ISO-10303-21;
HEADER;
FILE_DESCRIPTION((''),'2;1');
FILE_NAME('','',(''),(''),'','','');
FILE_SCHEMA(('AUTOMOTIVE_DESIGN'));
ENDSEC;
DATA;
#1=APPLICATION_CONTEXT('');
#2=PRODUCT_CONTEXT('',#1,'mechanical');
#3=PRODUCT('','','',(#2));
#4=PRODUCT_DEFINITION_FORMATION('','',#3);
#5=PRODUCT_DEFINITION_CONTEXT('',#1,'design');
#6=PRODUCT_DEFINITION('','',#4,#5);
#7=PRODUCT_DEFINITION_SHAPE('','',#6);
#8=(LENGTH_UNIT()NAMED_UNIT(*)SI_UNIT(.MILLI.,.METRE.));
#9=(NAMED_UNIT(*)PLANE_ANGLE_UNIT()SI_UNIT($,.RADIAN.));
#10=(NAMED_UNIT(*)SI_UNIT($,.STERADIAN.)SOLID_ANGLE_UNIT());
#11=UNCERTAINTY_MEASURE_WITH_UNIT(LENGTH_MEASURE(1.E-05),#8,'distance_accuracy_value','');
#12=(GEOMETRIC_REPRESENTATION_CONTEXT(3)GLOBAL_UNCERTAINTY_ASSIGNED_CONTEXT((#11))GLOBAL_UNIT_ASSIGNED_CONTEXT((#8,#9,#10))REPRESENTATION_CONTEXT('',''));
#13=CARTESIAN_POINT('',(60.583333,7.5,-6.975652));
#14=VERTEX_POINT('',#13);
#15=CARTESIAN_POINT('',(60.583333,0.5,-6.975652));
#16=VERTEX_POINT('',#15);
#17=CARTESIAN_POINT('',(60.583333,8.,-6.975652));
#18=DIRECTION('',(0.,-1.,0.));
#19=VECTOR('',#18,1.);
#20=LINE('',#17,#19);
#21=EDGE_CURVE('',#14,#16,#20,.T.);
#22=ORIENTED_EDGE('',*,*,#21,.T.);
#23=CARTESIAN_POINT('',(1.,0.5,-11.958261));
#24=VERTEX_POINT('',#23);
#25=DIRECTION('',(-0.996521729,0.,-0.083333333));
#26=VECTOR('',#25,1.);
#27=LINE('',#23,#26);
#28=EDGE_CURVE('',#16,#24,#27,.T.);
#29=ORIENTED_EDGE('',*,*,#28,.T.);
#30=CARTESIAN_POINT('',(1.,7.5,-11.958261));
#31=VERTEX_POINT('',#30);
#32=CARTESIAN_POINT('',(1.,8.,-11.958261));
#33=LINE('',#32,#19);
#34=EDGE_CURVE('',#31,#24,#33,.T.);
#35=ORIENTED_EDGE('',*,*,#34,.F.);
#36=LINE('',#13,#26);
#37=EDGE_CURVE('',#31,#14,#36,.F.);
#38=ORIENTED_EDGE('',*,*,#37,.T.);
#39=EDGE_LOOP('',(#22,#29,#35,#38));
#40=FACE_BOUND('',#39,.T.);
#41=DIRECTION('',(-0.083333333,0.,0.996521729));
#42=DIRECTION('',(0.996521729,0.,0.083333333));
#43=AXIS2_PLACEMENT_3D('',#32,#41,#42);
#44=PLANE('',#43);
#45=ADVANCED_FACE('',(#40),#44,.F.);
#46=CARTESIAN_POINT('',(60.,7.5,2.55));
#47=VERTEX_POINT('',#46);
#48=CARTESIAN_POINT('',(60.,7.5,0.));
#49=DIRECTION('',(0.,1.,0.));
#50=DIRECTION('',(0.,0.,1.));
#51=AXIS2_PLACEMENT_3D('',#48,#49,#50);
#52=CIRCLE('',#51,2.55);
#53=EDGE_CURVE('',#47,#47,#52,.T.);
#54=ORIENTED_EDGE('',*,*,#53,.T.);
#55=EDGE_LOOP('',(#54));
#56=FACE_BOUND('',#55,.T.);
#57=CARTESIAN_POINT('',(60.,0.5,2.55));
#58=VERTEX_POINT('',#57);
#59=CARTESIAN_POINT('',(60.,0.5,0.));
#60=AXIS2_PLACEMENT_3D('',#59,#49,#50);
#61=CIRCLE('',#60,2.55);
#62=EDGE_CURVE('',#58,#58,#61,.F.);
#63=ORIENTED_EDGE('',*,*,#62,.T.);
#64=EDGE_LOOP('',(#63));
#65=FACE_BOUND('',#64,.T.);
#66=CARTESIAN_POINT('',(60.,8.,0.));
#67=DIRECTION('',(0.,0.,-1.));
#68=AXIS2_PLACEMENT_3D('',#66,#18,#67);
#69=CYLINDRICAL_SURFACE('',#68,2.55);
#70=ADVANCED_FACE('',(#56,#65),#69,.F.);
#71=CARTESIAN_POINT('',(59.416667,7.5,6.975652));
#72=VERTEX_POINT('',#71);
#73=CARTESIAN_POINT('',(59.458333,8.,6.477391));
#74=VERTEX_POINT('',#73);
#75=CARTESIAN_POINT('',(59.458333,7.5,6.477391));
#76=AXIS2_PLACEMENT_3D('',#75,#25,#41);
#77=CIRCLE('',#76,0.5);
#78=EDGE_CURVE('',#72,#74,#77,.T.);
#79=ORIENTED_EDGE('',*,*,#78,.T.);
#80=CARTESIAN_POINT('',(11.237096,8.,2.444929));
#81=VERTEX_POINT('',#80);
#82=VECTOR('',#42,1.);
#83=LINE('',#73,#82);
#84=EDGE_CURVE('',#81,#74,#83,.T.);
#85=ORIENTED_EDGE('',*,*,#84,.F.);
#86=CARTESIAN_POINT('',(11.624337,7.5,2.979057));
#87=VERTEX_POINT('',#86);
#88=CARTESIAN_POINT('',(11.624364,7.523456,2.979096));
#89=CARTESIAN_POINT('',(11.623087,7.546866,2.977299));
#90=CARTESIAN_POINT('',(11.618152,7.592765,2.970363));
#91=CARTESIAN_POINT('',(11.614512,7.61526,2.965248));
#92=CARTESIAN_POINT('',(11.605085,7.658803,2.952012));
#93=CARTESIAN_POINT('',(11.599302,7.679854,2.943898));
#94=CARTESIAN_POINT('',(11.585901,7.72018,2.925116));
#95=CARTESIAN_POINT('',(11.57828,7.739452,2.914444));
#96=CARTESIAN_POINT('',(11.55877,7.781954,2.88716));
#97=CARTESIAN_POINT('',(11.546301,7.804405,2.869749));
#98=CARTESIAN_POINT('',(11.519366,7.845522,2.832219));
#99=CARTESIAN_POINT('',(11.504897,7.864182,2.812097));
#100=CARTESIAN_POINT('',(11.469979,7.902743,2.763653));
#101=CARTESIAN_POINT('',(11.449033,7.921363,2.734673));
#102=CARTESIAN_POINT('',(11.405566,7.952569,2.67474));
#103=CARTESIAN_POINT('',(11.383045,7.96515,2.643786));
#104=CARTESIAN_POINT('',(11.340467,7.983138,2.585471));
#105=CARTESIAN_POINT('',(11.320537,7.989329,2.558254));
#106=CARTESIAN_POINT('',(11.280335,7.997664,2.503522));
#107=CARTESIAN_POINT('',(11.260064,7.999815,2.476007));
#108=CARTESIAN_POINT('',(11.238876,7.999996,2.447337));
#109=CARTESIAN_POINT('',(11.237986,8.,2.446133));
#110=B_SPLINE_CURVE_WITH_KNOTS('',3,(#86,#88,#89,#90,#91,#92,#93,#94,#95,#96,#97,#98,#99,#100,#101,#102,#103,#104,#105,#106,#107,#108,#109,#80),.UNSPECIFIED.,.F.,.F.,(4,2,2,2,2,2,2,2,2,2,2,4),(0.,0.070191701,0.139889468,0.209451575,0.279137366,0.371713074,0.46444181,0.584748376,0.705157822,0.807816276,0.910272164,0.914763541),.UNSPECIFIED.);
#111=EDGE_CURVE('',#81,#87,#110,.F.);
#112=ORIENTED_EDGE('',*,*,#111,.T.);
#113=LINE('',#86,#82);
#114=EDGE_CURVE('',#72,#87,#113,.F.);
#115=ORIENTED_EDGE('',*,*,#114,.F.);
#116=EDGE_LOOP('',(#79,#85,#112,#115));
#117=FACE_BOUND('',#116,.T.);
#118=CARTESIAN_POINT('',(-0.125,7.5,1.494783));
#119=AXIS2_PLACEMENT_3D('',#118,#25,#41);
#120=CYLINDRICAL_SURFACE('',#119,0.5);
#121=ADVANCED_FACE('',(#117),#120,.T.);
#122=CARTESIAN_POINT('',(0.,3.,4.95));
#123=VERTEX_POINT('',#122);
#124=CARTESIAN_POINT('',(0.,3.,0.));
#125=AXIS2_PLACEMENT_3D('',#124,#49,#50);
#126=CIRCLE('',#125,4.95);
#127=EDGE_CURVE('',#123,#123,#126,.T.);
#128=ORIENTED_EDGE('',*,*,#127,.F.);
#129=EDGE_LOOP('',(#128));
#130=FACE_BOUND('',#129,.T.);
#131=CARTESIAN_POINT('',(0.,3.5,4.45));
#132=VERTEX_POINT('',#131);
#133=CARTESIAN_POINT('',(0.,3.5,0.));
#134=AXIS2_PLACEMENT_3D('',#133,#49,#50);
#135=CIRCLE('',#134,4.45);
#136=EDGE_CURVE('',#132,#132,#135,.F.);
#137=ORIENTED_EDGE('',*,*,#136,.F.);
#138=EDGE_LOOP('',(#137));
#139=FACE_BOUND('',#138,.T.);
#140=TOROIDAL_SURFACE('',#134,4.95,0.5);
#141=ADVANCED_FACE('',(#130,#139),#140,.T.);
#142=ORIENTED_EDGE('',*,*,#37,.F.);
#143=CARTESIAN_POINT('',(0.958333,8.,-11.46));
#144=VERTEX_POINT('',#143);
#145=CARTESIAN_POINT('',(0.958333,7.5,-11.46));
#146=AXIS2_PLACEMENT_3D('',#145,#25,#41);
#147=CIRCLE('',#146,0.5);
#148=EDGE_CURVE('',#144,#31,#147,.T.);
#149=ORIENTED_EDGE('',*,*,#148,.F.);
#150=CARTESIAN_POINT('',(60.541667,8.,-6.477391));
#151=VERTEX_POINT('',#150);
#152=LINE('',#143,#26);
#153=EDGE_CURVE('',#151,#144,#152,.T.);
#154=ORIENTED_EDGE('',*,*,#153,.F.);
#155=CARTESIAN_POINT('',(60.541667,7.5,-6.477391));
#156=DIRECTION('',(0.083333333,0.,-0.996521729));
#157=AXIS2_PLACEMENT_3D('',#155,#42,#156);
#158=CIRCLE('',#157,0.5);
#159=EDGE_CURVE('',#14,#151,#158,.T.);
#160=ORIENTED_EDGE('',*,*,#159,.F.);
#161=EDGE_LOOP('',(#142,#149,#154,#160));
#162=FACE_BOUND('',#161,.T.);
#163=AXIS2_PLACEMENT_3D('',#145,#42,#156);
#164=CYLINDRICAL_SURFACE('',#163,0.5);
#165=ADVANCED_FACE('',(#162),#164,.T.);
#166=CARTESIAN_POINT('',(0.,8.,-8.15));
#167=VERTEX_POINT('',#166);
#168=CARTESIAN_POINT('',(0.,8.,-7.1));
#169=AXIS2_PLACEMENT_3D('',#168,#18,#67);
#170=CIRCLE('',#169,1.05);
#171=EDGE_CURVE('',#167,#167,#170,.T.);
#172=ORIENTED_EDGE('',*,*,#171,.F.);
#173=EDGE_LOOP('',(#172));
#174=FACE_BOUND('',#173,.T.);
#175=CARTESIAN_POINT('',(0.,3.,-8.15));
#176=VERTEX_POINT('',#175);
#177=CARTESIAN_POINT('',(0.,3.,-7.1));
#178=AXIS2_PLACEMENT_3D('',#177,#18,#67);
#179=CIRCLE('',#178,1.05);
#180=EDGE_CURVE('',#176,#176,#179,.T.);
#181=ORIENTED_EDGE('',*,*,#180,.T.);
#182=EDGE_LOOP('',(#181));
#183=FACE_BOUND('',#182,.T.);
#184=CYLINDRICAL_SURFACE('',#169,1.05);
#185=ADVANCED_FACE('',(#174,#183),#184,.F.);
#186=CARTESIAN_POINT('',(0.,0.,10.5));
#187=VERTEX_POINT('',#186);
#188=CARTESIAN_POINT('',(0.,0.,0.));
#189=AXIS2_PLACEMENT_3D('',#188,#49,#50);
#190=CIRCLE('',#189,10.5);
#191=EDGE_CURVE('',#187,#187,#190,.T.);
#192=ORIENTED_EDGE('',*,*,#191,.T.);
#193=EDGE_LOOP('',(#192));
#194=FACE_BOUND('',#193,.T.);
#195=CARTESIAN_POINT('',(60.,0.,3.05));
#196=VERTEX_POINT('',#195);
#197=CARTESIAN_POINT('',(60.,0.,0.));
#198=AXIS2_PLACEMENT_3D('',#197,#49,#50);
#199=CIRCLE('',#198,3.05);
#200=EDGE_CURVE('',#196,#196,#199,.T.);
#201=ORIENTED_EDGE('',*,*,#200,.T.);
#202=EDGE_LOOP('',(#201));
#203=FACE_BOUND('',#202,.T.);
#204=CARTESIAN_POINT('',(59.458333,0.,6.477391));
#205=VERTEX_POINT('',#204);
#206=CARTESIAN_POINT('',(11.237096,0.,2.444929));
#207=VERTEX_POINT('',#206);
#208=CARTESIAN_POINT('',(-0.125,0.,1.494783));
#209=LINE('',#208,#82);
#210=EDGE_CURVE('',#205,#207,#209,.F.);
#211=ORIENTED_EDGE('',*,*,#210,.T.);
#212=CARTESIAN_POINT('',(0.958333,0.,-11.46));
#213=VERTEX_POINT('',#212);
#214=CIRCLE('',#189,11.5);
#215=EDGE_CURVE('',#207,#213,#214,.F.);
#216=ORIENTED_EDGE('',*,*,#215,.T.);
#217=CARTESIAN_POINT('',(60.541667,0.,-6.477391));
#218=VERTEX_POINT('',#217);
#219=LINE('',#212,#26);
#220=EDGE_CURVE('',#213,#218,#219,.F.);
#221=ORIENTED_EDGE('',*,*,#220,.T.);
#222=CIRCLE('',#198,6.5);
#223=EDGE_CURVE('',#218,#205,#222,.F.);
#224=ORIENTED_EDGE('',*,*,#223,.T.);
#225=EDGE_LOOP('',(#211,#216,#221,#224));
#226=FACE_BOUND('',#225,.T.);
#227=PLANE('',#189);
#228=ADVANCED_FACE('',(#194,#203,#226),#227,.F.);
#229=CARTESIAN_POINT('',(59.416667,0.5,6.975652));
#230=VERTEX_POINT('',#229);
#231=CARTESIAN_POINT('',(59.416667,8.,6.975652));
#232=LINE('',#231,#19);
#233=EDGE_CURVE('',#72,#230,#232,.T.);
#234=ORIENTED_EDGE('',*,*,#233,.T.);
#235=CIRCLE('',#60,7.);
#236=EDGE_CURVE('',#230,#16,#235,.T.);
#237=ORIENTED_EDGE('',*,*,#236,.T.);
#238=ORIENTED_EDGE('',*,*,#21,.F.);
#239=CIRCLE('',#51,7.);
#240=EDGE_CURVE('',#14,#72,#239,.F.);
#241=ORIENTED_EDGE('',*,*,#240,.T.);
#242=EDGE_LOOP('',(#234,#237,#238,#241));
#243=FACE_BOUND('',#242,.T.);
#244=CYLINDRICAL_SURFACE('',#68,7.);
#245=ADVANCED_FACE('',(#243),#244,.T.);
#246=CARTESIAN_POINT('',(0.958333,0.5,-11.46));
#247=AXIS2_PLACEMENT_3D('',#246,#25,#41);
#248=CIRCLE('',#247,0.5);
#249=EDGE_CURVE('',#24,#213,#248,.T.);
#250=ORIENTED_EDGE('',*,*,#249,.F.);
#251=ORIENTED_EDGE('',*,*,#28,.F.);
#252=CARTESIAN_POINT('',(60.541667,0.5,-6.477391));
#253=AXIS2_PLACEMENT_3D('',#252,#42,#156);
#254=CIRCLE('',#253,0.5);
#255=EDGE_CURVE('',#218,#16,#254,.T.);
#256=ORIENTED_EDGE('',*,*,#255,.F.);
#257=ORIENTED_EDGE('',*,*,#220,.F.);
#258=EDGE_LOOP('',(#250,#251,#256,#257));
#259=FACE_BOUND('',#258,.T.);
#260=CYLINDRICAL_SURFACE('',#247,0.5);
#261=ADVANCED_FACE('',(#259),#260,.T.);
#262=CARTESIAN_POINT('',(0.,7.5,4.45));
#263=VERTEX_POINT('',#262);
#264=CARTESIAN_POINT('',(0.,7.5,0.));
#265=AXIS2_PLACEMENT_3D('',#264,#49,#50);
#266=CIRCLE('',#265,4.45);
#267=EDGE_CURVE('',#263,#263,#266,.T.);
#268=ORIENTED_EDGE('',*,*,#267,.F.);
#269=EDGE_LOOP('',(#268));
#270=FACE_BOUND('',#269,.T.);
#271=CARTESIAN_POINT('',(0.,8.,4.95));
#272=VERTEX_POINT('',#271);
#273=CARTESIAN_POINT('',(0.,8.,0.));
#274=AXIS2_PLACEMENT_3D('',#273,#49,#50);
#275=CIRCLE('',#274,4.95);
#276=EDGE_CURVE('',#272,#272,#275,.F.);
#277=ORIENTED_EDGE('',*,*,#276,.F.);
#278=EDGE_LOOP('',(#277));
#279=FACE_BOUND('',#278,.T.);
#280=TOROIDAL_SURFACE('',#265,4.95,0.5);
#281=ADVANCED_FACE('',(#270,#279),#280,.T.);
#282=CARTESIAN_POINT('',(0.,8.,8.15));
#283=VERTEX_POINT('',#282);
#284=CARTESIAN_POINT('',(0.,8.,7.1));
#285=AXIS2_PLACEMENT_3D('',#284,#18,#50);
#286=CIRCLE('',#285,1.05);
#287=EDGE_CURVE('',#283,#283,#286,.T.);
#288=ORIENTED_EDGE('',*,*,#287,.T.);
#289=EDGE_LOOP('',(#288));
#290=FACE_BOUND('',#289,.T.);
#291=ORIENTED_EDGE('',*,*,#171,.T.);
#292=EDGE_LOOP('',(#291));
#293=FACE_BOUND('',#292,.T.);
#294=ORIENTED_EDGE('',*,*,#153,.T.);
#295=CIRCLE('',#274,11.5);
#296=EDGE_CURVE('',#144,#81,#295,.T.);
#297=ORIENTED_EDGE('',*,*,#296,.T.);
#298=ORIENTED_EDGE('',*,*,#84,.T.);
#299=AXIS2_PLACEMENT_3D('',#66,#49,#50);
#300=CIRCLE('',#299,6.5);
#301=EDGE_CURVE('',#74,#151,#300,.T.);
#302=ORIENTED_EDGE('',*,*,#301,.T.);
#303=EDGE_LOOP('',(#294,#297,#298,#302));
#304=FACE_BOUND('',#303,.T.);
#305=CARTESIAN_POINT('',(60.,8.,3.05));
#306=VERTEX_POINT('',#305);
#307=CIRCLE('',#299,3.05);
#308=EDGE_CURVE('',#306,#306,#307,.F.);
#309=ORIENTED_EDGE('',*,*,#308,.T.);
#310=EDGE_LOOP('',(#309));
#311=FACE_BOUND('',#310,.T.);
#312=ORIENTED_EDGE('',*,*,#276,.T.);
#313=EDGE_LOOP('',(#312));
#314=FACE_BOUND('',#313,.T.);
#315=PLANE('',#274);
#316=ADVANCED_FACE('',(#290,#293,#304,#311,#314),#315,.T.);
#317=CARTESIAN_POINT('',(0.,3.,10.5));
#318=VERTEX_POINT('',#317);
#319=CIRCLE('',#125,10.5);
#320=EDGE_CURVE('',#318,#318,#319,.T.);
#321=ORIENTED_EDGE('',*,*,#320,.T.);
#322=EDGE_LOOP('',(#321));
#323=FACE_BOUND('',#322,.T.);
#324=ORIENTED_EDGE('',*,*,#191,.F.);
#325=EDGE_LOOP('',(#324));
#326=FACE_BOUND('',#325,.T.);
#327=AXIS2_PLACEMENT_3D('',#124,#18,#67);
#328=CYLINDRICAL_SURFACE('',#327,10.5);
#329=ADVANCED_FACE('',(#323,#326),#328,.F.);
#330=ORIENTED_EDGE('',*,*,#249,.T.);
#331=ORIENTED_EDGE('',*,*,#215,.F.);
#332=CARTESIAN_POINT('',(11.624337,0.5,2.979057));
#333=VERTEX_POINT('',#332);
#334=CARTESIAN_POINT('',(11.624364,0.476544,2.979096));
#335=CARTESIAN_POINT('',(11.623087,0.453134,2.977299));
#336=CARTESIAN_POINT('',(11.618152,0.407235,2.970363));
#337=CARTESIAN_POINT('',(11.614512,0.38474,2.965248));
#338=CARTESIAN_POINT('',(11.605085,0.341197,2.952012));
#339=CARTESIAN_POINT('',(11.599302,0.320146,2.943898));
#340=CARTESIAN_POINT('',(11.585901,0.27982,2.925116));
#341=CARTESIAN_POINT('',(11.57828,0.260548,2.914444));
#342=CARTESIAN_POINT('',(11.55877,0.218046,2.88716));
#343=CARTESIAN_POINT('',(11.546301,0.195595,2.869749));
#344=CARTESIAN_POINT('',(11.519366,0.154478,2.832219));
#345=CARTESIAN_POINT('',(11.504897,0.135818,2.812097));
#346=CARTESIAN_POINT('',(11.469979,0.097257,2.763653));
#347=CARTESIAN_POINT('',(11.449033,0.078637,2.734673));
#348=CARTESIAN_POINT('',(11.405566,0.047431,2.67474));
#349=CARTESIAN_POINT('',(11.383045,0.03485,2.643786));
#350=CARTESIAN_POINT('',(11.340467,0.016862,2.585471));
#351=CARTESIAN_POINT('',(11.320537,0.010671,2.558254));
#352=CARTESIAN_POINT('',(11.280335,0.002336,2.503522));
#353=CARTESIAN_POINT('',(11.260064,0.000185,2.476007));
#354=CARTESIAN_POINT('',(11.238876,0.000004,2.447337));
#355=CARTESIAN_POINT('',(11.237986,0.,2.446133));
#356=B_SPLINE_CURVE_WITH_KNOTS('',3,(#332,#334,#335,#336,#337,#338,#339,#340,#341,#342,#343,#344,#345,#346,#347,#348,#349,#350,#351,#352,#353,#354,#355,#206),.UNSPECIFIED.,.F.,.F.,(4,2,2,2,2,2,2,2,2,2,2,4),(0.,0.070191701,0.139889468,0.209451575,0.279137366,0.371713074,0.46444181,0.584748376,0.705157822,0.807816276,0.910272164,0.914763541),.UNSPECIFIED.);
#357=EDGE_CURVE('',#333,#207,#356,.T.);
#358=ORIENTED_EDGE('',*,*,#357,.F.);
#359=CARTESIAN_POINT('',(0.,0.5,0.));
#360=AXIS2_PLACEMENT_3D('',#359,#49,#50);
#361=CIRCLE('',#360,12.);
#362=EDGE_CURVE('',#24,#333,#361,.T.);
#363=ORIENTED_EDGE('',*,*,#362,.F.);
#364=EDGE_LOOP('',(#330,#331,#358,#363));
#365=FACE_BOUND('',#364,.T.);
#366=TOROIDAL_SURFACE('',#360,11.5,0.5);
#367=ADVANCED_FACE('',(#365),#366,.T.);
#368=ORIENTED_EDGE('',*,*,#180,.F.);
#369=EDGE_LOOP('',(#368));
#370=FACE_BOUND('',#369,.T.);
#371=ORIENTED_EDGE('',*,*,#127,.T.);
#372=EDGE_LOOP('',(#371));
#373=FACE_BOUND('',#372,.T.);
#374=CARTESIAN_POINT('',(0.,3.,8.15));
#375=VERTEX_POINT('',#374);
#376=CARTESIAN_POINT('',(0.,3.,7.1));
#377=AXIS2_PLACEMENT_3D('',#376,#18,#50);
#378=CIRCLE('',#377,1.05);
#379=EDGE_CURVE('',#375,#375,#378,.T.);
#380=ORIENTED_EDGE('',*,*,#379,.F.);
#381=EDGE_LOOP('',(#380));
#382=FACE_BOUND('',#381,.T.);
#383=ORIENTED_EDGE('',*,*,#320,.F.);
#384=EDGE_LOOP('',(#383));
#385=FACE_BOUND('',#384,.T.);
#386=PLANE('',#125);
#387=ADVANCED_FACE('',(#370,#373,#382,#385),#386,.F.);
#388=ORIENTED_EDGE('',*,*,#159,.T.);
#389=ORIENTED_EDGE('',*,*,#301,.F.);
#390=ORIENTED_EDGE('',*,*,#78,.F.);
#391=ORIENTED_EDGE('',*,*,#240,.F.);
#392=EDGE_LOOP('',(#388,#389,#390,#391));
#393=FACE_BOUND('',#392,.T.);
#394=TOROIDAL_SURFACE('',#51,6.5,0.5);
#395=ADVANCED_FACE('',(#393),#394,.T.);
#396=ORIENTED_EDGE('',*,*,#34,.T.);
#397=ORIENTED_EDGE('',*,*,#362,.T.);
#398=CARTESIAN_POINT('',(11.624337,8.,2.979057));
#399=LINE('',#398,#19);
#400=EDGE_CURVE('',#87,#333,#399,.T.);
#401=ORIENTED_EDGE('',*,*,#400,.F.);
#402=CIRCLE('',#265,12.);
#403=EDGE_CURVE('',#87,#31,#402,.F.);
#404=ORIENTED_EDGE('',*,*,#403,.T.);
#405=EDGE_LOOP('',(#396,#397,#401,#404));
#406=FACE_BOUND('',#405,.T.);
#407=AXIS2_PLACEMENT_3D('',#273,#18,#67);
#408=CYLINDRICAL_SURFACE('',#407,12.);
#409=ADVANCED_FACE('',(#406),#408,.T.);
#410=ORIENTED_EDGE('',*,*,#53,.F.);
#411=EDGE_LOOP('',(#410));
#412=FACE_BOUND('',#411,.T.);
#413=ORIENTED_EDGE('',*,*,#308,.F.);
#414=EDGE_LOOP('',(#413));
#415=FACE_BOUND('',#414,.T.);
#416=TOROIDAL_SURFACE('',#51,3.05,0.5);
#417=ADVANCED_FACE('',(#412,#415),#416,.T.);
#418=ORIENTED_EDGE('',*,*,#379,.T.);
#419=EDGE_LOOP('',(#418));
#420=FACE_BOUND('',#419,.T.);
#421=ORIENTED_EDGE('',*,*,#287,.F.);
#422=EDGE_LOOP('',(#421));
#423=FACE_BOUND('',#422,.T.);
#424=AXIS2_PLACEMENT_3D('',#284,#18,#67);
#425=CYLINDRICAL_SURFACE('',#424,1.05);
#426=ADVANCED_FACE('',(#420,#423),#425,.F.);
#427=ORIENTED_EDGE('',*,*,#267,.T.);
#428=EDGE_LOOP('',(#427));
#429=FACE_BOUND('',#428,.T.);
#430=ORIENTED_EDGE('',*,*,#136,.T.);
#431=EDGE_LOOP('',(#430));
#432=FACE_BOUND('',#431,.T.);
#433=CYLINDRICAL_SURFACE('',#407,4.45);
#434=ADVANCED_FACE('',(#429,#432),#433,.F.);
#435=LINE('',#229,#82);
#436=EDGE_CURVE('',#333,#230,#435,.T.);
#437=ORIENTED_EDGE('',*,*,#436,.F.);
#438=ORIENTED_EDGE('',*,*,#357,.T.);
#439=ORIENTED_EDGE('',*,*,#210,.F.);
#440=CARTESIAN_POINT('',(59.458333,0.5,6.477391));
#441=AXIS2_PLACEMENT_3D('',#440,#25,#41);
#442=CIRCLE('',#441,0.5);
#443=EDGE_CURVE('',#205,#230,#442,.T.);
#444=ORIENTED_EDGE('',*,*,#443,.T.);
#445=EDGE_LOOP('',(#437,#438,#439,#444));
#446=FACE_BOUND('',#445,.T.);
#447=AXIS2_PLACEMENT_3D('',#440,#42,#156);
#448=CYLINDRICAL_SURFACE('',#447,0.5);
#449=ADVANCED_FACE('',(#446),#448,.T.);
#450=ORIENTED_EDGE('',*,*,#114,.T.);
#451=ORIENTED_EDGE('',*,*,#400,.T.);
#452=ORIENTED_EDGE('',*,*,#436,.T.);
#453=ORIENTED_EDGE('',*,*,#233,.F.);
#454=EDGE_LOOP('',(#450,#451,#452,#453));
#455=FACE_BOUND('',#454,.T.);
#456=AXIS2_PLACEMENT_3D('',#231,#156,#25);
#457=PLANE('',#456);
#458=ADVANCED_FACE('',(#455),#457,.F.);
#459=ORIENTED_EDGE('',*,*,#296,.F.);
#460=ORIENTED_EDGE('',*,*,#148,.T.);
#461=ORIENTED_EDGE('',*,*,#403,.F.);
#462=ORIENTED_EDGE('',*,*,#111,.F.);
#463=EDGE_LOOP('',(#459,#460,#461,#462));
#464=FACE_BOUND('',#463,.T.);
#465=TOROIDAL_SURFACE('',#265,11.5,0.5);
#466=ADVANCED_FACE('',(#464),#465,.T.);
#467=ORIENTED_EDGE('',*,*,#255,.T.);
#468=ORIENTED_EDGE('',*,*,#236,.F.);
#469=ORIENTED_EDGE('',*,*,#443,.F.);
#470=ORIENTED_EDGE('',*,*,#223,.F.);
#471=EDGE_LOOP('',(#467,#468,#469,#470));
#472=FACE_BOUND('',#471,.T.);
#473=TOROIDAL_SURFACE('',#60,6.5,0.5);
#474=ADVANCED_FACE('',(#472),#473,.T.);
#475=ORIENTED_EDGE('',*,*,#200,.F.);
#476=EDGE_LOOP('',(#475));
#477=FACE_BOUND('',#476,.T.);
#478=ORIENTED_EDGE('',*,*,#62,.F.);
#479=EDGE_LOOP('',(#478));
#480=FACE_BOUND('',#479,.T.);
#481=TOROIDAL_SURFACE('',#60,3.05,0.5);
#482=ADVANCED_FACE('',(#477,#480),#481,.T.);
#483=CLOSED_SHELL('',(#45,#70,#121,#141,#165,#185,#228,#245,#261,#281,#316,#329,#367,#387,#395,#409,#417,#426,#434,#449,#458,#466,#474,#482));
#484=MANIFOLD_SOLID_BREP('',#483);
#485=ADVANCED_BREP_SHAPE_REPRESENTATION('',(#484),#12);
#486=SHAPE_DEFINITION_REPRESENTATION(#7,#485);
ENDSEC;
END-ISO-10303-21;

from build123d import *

# Parameters (mm, degrees)
EXTRUDE_1_DEPTH     = 8
SKETCH_2_R          = 10.5
CUT_EXTRUDE_1_DEPTH = 3
SKETCH_3_R          = 4.45
SKETCH_3_R_2        = 1.05
CUT_EXTRUDE_2_DEPTH = 69.249542123
SKETCH_4_R          = 2.55
CUT_EXTRUDE_3_DEPTH = 69.534662763
FILLET_1_R          = 0.5
FILLET_2_R          = 0.5


with BuildPart() as part:
    # 草图1 → 凸台-拉伸1 (new body)
    with BuildSketch(Plane(origin=(0, 0, 0), x_dir=(1, 0, 0), z_dir=(0, 1, 0))):
        with BuildLine():
            Line((1, 11.958260743), (60.583333333, 6.9756521))
            ThreePointArc((60.583333333, 6.9756521), (66.9756521, -0.583333333), (59.416666667, -6.9756521))
            Line((59.416666667, -6.9756521), (11.624337437, -2.979056754))
            ThreePointArc((11.624337437, -2.979056754), (-9.77876973, -6.955261502), (1, 11.958260743))
        make_face()
    extrude(amount=EXTRUDE_1_DEPTH)

    # 草图2 → 切除-拉伸1 (cut)
    with BuildSketch(Plane(origin=(0, 0, 0), x_dir=(1, 0, 0), z_dir=(0, 1, 0))):
        Circle(SKETCH_2_R)
    extrude(amount=CUT_EXTRUDE_1_DEPTH, mode=Mode.SUBTRACT)

    # 草图3 → 切除-拉伸2 (cut, through all)
    with BuildSketch(Plane.XZ.offset(-3)):
        Circle(SKETCH_3_R)
        with Locations((0, -7.1)):
            Circle(SKETCH_3_R_2)
        with Locations((0, 7.1)):
            Circle(SKETCH_3_R_2)
    extrude(amount=-CUT_EXTRUDE_2_DEPTH, mode=Mode.SUBTRACT)

    # 草图4 → 切除-拉伸3 (cut, through all)
    with BuildSketch(Plane.XZ):
        with Locations((60, 0)):
            Circle(SKETCH_4_R)
    extrude(amount=-CUT_EXTRUDE_3_DEPTH, mode=Mode.SUBTRACT)

    # 圆角1
    fillet_1_edges = [part.edges().sort_by_distance(p)[0] for p in [
        (35.520502052, 8, 4.977354427),
        (66.9756521, 8, 0.583333333),
        (30.791666667, 8, -9.466956422),
        (35.520502052, 0, 4.977354427),
        (66.9756521, 0, 0.583333333),
        (-9.77876973, 0, 6.955261502),
        (-9.77876973, 8, 6.955261502),
        (30.791666667, 0, -9.466956422),
    ]]
    fillet(fillet_1_edges, radius=FILLET_1_R)

    # 圆角2
    fillet_2_edges = [part.edges().sort_by_distance(p)[0] for p in [
        (-4.45, 3, 0),
        (-4.45, 8, 0),
        (57.45, 8, 0),
        (57.45, 0, 0),
    ]]
    fillet(fillet_2_edges, radius=FILLET_2_R)


solid = part.part
